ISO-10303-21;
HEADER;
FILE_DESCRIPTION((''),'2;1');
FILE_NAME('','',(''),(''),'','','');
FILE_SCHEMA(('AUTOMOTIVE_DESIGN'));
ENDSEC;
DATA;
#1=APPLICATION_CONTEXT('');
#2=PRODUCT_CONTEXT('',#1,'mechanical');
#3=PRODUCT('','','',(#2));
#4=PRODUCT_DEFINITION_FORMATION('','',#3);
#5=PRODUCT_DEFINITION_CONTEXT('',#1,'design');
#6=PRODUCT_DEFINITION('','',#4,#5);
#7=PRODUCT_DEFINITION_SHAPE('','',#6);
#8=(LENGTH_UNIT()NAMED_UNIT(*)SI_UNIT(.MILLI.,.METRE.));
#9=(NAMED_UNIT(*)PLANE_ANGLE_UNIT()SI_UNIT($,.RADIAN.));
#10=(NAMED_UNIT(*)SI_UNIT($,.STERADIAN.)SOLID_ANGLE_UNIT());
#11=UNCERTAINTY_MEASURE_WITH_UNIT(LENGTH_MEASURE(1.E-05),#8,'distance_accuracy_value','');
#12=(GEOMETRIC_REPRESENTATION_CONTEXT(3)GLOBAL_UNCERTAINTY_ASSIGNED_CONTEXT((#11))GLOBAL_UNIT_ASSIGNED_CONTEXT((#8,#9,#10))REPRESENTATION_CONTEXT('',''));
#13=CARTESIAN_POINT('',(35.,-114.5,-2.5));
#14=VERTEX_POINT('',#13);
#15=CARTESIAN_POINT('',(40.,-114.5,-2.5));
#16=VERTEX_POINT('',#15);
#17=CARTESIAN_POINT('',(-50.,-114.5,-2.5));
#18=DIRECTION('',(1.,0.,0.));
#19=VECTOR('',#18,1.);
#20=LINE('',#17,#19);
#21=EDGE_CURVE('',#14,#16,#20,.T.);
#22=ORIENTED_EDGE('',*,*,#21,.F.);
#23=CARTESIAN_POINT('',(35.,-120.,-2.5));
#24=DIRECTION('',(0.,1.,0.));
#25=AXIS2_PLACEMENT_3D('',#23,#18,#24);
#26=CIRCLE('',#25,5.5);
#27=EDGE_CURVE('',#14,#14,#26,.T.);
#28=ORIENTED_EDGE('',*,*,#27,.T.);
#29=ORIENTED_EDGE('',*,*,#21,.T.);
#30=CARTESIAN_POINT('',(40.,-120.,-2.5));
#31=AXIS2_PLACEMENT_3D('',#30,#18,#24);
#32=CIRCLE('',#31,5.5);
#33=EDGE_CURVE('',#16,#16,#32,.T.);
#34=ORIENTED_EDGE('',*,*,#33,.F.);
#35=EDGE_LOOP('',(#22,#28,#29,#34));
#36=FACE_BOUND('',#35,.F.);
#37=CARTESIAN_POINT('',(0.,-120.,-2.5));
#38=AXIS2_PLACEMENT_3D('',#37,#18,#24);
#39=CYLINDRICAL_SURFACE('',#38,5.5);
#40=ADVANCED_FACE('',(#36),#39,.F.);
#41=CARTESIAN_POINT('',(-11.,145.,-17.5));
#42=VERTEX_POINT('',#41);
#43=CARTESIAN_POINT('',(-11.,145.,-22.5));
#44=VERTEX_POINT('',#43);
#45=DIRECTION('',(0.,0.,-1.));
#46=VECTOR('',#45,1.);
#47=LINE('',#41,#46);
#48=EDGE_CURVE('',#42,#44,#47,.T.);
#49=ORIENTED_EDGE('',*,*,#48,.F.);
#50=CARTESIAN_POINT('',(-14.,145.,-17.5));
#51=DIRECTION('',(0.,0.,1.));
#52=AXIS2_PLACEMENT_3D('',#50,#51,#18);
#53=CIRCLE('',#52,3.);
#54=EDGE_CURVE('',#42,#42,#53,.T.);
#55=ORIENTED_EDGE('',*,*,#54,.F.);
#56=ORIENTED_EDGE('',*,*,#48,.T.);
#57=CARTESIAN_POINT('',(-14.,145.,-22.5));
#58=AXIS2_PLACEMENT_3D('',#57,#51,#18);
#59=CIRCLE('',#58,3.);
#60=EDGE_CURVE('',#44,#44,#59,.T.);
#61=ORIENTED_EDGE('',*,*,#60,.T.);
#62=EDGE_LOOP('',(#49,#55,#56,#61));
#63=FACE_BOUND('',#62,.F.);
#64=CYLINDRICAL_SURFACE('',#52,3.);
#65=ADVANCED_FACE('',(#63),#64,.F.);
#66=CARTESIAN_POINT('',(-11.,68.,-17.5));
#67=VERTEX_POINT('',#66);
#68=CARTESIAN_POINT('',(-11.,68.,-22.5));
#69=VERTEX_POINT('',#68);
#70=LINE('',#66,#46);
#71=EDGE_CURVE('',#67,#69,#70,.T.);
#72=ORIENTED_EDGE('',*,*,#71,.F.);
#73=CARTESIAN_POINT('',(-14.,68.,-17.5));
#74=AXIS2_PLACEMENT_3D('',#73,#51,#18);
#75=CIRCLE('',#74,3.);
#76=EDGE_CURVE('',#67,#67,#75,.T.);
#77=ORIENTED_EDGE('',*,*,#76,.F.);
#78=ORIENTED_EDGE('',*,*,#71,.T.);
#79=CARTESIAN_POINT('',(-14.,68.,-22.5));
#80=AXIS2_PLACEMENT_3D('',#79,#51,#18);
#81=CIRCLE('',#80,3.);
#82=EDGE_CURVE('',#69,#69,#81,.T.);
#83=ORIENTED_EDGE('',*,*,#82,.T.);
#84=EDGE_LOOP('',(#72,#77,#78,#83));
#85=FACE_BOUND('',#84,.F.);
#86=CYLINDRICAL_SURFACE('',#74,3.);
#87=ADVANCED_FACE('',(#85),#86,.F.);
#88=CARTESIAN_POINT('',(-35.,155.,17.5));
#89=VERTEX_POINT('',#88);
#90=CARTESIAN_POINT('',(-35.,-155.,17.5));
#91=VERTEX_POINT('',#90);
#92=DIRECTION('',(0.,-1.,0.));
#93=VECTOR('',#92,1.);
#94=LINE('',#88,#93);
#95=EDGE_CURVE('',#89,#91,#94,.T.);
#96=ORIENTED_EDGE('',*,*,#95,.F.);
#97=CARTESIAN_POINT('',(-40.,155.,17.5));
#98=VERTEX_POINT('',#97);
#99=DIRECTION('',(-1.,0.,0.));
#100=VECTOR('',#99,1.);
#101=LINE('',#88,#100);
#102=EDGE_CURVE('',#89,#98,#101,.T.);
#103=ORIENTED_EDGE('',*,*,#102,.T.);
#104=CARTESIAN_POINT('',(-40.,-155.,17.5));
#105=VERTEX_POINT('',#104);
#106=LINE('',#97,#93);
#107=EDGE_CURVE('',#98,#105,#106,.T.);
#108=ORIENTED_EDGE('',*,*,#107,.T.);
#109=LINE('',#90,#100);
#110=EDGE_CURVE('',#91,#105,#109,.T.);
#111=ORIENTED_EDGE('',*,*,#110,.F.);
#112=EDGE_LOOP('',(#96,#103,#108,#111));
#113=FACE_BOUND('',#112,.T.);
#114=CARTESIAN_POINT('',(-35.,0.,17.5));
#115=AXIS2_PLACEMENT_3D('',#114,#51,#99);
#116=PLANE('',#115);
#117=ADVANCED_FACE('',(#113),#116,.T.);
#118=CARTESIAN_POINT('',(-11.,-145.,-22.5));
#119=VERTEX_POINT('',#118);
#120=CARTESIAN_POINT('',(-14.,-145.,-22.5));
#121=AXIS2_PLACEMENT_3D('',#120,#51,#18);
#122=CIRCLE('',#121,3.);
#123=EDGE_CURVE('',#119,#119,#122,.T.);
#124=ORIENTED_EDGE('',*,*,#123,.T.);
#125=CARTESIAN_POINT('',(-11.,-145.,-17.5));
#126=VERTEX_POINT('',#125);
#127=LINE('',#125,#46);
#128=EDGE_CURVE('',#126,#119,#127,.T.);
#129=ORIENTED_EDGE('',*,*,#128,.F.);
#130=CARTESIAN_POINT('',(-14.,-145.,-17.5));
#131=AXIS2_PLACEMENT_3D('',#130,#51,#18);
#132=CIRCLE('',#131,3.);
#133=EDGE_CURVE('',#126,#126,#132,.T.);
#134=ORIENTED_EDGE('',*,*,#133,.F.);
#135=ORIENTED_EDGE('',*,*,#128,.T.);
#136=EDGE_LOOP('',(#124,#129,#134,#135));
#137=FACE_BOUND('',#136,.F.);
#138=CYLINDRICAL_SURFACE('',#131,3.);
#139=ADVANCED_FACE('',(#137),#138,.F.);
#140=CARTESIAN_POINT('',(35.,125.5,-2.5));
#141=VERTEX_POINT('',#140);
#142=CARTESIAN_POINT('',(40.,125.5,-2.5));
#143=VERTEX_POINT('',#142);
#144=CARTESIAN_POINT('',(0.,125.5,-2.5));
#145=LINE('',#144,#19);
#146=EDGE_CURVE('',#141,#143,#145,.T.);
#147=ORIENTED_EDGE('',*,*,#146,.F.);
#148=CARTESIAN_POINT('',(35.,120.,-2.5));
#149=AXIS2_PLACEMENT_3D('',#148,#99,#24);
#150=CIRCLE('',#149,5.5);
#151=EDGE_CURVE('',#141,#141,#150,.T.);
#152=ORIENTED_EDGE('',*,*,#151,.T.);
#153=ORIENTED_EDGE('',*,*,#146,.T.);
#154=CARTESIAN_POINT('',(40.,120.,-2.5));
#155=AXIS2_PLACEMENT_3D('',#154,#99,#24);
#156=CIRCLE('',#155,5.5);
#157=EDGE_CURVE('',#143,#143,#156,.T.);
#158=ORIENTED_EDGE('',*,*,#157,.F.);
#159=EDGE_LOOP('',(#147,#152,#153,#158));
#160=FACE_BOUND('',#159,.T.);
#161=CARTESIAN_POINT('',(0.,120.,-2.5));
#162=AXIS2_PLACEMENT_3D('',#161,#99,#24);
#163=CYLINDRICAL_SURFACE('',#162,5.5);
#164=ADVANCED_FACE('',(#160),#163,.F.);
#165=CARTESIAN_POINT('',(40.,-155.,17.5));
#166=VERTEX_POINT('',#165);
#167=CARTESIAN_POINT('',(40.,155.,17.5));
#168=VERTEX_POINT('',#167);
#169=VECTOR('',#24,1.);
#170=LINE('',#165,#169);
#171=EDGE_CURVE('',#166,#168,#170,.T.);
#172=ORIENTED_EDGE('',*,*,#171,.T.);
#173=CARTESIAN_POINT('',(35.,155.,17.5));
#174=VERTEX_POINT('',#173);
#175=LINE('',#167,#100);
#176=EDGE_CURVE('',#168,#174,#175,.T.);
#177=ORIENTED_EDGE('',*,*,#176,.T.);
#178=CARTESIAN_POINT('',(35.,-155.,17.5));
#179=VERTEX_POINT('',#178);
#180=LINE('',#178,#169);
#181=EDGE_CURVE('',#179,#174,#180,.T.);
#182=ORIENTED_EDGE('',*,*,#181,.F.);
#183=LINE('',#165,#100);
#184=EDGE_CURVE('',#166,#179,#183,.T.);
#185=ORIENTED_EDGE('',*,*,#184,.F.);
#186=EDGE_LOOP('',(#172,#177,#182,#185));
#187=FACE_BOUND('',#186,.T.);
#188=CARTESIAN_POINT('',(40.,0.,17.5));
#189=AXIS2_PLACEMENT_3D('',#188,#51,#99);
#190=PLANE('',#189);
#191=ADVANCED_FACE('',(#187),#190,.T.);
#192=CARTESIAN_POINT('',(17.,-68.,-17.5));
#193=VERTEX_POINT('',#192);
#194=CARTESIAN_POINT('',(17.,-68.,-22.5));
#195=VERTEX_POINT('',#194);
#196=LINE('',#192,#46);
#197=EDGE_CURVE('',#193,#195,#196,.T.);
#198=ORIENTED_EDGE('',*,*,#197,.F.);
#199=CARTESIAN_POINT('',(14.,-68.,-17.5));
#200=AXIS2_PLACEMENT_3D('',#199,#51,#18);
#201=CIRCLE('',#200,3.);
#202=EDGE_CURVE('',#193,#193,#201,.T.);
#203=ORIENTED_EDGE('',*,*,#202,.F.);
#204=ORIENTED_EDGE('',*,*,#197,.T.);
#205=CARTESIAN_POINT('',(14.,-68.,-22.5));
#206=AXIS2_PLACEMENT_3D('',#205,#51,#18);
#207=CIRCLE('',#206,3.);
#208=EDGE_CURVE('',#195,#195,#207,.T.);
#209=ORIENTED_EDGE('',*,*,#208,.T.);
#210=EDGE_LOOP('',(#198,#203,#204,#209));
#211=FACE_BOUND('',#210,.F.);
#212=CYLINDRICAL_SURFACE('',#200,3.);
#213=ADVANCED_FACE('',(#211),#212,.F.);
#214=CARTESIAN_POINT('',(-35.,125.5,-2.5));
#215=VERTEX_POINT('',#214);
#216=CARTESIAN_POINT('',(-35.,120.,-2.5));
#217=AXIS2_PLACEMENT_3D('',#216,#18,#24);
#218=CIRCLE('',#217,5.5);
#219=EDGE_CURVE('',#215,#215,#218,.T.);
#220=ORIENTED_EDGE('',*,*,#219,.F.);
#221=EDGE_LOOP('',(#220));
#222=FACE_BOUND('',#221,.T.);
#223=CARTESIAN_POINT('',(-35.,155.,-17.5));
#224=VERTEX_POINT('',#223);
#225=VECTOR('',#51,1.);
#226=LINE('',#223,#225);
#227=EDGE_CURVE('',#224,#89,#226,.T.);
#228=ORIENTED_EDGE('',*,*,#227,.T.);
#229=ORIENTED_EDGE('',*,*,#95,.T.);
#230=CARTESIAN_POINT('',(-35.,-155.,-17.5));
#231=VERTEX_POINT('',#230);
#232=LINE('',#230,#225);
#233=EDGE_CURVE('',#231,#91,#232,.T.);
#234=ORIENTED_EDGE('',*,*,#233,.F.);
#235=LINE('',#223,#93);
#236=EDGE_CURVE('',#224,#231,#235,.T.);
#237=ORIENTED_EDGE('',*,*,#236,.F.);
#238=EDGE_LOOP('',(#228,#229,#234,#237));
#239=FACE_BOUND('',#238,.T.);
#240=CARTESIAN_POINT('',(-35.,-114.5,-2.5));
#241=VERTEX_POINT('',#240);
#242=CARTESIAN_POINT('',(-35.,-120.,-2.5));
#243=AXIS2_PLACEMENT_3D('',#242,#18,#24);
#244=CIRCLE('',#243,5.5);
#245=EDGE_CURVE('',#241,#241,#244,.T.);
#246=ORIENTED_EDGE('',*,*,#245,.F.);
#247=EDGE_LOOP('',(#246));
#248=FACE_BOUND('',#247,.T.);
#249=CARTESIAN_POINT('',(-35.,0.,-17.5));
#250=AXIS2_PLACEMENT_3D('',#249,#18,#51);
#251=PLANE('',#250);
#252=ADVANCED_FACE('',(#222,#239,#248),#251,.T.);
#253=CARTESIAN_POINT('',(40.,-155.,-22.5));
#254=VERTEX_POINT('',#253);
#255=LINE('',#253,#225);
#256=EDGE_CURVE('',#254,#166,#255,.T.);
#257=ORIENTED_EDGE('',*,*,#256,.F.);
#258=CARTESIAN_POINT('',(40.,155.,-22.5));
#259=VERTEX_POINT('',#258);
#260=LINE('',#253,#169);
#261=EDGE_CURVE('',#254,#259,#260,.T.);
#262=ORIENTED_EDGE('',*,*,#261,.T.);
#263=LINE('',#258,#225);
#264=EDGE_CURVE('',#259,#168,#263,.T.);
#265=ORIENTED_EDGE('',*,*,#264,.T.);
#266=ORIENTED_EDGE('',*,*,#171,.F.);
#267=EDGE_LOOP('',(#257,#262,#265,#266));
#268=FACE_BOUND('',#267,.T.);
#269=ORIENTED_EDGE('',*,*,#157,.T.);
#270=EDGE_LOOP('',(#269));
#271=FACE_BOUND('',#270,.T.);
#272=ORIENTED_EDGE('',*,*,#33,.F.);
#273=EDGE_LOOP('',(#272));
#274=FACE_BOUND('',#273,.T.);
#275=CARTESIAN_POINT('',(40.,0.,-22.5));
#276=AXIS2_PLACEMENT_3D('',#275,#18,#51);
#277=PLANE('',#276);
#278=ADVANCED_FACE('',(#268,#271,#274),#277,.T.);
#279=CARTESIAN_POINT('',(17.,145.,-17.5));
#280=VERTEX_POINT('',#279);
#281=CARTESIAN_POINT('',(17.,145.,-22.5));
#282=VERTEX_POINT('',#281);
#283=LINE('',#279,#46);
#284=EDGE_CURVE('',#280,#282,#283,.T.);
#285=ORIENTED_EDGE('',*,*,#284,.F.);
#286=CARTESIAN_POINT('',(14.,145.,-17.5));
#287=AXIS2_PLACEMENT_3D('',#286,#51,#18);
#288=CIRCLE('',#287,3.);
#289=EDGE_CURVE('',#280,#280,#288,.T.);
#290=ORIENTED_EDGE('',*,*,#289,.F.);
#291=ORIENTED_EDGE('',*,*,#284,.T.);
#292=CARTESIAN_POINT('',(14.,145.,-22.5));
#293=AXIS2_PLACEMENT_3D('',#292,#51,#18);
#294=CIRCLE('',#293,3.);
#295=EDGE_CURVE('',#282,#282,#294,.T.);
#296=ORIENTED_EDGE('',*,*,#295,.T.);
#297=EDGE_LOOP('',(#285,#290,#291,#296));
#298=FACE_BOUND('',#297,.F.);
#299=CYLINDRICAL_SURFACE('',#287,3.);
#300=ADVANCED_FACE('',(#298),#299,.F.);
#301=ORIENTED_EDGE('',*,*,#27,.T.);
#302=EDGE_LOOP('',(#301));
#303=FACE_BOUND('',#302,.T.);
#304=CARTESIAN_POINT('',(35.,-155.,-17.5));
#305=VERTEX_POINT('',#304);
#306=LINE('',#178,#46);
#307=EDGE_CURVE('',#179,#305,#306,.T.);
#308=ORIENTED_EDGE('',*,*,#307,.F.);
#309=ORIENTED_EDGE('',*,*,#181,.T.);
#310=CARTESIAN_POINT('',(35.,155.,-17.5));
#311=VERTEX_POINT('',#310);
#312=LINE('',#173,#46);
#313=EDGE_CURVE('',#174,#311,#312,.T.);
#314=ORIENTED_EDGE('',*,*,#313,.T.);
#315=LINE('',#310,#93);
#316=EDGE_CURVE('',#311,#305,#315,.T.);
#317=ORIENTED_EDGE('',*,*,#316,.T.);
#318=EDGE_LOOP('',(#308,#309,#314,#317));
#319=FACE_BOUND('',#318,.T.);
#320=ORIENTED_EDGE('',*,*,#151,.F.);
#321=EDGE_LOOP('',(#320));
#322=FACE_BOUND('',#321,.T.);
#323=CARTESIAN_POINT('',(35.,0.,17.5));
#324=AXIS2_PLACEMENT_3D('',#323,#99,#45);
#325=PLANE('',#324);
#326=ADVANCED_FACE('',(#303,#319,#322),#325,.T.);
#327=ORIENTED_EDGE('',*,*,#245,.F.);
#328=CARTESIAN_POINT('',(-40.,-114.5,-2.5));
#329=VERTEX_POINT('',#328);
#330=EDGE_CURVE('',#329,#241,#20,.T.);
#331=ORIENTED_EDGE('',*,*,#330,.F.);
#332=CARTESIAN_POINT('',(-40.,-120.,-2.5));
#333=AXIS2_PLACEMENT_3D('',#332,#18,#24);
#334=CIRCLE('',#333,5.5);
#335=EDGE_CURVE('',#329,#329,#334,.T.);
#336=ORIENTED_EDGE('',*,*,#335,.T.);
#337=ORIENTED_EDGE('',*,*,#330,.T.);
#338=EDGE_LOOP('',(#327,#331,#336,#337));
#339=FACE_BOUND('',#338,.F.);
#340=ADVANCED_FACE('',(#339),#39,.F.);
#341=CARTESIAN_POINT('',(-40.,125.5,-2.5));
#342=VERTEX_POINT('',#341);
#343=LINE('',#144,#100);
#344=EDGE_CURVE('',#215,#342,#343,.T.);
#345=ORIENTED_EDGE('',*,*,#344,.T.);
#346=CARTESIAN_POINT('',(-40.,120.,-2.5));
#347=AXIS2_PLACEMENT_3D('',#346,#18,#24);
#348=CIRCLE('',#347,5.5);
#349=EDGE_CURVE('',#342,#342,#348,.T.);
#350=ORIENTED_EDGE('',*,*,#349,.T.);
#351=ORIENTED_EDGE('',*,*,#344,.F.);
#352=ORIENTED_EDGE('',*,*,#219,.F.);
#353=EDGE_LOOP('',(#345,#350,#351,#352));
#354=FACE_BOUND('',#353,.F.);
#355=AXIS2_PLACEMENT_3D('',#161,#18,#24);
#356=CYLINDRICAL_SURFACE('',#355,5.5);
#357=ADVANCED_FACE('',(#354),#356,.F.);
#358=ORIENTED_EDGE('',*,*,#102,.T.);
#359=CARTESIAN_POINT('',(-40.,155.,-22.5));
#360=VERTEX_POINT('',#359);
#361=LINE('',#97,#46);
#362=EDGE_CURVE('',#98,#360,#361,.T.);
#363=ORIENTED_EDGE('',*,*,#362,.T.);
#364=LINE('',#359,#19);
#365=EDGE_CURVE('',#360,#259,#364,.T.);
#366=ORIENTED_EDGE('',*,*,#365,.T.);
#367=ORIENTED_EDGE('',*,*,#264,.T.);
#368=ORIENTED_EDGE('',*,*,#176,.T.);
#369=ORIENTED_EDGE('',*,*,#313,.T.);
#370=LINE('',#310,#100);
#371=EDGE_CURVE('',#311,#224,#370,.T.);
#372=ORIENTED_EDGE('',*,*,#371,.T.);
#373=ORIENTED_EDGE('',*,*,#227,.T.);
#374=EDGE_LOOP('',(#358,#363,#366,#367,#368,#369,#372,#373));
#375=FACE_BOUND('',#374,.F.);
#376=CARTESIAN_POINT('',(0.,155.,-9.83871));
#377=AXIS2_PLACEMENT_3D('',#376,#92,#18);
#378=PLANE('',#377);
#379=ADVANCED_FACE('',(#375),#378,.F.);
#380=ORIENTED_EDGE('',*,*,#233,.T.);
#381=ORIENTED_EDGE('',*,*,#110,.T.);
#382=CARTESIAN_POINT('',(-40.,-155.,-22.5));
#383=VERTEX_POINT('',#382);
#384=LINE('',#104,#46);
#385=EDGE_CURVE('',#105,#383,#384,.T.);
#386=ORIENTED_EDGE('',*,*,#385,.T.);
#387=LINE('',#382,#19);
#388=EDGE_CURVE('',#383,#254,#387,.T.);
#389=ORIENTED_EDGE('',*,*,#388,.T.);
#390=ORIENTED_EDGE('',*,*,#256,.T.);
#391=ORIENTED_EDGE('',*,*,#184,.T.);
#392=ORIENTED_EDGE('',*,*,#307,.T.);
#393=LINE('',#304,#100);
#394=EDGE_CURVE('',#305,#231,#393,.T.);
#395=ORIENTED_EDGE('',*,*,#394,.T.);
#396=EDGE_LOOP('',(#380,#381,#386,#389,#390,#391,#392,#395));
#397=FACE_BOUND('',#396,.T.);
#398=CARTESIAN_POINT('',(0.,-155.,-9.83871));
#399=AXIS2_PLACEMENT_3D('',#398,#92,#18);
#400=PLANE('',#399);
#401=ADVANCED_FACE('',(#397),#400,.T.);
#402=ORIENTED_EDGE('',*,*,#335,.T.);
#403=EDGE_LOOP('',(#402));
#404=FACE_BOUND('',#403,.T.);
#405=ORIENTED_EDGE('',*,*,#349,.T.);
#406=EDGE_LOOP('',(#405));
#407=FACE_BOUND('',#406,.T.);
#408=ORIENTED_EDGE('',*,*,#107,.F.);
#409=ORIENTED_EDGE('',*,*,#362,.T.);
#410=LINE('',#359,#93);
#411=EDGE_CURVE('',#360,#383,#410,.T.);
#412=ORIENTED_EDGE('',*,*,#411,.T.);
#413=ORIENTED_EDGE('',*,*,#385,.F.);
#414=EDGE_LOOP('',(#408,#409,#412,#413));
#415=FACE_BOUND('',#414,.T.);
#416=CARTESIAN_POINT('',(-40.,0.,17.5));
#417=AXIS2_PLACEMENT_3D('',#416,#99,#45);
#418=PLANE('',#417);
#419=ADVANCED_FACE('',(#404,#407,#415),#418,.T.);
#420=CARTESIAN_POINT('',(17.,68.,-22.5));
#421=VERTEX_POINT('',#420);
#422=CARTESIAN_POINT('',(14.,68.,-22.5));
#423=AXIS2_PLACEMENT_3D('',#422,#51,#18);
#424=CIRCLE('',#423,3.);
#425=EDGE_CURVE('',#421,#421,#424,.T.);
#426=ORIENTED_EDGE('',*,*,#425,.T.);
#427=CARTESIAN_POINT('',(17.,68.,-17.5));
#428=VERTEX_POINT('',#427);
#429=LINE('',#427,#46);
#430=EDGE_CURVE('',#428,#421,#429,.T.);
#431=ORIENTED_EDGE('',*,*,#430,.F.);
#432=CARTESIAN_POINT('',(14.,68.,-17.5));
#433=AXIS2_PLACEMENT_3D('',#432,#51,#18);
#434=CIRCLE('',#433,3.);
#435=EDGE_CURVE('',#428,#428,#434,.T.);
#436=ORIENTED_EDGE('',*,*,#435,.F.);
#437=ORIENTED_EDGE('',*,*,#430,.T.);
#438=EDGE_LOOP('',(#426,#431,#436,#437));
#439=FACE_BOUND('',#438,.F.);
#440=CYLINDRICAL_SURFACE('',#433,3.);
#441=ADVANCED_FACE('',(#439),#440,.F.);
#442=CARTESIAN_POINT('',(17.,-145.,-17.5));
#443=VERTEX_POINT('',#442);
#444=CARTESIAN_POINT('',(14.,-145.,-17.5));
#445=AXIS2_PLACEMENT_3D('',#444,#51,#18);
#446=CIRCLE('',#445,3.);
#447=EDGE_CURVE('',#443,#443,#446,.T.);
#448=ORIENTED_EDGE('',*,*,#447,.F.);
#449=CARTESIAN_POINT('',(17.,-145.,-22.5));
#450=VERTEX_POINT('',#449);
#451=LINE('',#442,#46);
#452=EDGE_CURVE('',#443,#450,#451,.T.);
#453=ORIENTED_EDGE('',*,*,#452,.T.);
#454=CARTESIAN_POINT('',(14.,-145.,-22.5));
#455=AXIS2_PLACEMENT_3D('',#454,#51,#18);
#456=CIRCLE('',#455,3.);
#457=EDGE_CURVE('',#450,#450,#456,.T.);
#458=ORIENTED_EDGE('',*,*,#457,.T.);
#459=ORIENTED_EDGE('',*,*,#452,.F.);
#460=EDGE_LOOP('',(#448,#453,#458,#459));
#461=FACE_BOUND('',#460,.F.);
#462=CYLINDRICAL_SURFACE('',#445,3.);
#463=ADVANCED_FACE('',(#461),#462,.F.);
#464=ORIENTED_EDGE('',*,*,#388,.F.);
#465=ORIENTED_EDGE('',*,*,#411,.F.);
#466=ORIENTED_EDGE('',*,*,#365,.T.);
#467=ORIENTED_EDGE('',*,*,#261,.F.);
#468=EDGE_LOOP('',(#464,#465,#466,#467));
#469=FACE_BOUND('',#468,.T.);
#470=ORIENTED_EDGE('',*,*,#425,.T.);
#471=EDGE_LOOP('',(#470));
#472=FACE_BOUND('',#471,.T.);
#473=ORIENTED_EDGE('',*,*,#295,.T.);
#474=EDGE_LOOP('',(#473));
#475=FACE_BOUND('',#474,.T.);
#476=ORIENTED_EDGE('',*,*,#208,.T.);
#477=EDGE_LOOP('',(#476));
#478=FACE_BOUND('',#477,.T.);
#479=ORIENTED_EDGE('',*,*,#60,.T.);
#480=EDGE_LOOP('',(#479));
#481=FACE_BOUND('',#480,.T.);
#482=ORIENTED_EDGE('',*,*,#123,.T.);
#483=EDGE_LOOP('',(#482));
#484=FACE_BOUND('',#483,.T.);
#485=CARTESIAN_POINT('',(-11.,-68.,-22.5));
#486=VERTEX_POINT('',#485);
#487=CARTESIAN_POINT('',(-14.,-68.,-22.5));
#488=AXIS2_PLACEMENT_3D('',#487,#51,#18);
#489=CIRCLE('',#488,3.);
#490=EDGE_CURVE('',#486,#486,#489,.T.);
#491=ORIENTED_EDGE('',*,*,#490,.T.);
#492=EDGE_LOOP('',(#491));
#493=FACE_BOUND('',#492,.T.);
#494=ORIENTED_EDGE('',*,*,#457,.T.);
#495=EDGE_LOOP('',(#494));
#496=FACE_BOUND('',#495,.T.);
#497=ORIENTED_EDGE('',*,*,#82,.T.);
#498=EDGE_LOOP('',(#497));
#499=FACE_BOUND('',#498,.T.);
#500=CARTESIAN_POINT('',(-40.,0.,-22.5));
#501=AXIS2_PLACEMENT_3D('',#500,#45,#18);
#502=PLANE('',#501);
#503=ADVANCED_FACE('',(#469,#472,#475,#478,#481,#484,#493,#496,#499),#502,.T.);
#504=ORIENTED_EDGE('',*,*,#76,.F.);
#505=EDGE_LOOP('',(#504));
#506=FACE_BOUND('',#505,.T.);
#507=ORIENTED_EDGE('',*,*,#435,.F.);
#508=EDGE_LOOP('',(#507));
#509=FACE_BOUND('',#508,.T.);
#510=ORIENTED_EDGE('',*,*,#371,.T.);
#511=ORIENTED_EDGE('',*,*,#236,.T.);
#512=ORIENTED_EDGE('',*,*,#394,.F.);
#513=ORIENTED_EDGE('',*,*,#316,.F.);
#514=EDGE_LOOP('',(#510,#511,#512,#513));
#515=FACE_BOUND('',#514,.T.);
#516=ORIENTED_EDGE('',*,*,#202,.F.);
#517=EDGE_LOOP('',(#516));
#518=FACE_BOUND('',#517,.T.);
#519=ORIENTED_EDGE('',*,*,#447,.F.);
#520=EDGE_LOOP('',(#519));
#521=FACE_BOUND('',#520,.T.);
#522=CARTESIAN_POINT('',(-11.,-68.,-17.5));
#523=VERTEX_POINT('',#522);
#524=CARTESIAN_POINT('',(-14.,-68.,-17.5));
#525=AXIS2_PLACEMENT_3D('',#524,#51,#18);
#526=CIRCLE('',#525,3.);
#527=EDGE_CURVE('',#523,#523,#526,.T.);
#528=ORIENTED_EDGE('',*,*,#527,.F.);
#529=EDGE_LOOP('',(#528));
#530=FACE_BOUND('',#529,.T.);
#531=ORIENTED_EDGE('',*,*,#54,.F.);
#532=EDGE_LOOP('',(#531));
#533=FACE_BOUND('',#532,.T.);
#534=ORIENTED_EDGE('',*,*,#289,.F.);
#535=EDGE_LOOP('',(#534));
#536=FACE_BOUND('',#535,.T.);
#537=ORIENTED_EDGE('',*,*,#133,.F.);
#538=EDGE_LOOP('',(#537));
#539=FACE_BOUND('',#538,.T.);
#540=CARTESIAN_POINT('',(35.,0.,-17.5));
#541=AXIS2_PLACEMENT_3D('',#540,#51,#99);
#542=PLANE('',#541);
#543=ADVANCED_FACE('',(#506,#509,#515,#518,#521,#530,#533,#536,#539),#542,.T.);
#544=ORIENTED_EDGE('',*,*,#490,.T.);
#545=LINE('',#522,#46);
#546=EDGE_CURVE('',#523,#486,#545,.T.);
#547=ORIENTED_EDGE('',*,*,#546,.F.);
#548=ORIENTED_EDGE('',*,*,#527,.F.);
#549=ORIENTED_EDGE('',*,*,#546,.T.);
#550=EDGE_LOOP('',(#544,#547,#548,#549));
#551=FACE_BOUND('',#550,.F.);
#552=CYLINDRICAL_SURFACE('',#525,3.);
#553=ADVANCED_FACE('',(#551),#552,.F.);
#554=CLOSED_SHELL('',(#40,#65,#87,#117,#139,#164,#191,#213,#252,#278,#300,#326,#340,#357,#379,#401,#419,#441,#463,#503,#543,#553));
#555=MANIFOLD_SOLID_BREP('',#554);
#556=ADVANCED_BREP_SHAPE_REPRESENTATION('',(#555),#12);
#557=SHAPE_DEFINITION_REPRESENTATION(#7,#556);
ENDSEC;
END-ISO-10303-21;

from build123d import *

# Parameters (mm, degrees)
F1_DEPTH = 155
F2_R     = 5.5
F3_DEPTH = 50
F4_R     = 3
F5_DEPTH = 25


with BuildPart() as f1:
    # F0 (on Front) → F1 (new body, symmetric)
    with BuildSketch(Plane.XZ):
        Polygon((35, 17.5), (35, -17.5), (-35, -17.5), (-35, 17.5), (-40, 17.5), (-40, -22.5), (40, -22.5), (40, 17.5), align=None)
    extrude(amount=F1_DEPTH, both=True)

    # F2 (on Right) → F3 (cut, symmetric)
    with BuildSketch(Plane.YZ):
        with Locations((120, -2.5)):
            Circle(F2_R)
        with Locations((-120, -2.5)):
            Circle(F2_R)
    extrude(amount=F3_DEPTH, both=True, mode=Mode.SUBTRACT)

    # F4 (on face) → F5 (cut)
    with BuildSketch(Plane.XY.offset(-17.5)):
        with Locations((-14, 145)):
            Circle(F4_R)
        with Locations((14, 145)):
            Circle(F4_R)
        with Locations((-14, 68)):
            Circle(F4_R)
        with Locations((14, 68)):
            Circle(F4_R)
        with Locations((-14, -68)):
            Circle(F4_R)
        with Locations((14, -68)):
            Circle(F4_R)
        with Locations((-14, -145)):
            Circle(F4_R)
        with Locations((14, -145)):
            Circle(F4_R)
    extrude(amount=-F5_DEPTH, mode=Mode.SUBTRACT)


solid = f1.part
